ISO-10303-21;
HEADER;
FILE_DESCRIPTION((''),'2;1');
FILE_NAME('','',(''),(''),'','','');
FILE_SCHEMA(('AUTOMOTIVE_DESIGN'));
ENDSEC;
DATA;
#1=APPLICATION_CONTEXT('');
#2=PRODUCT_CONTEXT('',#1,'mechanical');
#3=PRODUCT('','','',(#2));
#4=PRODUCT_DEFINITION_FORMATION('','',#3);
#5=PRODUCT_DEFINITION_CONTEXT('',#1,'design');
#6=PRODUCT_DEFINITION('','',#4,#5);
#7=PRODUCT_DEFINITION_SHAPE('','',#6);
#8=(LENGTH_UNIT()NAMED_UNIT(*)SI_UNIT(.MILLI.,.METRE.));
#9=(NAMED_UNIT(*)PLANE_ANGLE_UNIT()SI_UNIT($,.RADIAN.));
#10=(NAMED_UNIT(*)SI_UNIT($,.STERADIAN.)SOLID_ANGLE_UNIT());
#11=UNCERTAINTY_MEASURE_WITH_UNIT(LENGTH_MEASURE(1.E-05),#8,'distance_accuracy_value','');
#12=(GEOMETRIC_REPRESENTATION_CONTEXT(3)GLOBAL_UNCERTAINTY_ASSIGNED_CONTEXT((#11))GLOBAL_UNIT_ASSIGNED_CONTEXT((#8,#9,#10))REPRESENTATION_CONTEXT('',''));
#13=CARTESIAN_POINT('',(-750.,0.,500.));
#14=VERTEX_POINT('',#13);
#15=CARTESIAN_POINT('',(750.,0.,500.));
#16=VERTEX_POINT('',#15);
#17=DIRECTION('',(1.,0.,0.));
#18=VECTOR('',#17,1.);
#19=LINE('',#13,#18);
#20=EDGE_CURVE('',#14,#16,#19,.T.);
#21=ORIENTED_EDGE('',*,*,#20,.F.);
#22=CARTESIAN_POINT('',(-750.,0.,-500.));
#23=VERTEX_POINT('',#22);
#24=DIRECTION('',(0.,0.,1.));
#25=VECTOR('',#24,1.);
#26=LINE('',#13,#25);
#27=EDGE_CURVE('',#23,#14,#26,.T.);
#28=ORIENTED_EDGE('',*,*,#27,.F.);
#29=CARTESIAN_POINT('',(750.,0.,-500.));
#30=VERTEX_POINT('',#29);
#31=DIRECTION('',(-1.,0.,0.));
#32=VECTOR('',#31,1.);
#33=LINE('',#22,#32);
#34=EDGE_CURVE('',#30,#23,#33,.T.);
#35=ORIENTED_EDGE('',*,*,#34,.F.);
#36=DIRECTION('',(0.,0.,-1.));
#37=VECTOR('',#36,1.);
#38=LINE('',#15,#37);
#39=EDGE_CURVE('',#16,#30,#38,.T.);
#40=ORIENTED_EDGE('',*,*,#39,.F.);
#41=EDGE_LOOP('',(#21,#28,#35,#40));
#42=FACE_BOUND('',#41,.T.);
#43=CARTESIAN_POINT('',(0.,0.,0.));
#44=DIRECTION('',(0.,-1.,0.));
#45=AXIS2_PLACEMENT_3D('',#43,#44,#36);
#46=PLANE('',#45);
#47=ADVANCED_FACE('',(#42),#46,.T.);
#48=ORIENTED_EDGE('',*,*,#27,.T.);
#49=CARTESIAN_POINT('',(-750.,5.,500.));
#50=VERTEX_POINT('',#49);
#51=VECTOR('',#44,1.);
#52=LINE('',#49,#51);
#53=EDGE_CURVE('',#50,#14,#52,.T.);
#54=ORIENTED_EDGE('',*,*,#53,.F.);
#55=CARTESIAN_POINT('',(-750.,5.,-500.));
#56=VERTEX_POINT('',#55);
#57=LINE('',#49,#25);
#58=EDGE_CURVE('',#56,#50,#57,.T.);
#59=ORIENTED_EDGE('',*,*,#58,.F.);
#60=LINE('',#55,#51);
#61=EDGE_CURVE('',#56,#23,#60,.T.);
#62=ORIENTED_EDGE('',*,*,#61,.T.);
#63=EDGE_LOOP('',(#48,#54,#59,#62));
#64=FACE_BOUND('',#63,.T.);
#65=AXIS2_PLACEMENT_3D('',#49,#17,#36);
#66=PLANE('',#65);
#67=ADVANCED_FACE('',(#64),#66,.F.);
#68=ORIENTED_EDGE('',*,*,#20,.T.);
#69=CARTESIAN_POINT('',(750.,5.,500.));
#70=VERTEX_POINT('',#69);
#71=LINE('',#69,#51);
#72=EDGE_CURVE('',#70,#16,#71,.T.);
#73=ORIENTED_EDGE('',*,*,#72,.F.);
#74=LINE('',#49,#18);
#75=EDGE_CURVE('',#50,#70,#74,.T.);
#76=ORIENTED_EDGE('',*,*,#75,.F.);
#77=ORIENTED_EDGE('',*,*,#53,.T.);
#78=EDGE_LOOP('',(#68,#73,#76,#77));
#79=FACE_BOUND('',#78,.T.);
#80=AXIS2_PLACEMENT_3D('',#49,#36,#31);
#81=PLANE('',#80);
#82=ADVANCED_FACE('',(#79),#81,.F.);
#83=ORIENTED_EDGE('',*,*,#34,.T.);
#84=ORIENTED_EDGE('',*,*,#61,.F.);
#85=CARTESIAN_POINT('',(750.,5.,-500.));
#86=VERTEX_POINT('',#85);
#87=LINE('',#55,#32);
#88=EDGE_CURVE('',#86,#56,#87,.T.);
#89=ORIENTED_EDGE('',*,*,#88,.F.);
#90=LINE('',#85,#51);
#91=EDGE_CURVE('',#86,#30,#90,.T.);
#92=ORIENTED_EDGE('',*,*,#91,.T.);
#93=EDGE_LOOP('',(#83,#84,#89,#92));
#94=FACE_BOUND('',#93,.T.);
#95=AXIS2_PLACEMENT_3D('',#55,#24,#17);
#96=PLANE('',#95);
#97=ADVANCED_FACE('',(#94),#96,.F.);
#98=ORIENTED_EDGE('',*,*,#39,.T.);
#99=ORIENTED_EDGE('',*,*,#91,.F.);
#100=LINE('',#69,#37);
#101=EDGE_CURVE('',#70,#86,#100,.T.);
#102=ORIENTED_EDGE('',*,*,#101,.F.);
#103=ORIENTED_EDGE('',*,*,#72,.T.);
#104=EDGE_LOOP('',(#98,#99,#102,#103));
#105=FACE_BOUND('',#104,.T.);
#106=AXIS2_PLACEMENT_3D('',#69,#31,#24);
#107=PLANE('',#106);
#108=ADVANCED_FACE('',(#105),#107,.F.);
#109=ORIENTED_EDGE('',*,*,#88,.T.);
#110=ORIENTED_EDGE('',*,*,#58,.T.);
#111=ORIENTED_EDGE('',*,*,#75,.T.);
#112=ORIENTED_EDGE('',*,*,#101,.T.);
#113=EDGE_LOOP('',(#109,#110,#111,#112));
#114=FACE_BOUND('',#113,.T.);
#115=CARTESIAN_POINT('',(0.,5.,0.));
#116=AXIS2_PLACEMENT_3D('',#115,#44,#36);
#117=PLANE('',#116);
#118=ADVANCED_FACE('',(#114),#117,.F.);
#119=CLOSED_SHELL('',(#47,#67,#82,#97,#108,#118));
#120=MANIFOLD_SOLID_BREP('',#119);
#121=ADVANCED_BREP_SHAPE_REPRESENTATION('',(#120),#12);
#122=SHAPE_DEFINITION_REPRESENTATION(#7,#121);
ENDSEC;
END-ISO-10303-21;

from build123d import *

# Parameters (mm, degrees)
SKETCH_1_W      = 1500
SKETCH_1_H      = 1000
EXTRUDE_1_DEPTH = 5


with BuildPart() as part:
    # Эскиз1 → Бобышка-Вытянуть1 (new body)
    with BuildSketch(Plane(origin=(0, 0, 0), x_dir=(1, 0, 0), z_dir=(0, 1, 0))):
        Rectangle(SKETCH_1_W, SKETCH_1_H)
    extrude(amount=EXTRUDE_1_DEPTH)


solid = part.part
